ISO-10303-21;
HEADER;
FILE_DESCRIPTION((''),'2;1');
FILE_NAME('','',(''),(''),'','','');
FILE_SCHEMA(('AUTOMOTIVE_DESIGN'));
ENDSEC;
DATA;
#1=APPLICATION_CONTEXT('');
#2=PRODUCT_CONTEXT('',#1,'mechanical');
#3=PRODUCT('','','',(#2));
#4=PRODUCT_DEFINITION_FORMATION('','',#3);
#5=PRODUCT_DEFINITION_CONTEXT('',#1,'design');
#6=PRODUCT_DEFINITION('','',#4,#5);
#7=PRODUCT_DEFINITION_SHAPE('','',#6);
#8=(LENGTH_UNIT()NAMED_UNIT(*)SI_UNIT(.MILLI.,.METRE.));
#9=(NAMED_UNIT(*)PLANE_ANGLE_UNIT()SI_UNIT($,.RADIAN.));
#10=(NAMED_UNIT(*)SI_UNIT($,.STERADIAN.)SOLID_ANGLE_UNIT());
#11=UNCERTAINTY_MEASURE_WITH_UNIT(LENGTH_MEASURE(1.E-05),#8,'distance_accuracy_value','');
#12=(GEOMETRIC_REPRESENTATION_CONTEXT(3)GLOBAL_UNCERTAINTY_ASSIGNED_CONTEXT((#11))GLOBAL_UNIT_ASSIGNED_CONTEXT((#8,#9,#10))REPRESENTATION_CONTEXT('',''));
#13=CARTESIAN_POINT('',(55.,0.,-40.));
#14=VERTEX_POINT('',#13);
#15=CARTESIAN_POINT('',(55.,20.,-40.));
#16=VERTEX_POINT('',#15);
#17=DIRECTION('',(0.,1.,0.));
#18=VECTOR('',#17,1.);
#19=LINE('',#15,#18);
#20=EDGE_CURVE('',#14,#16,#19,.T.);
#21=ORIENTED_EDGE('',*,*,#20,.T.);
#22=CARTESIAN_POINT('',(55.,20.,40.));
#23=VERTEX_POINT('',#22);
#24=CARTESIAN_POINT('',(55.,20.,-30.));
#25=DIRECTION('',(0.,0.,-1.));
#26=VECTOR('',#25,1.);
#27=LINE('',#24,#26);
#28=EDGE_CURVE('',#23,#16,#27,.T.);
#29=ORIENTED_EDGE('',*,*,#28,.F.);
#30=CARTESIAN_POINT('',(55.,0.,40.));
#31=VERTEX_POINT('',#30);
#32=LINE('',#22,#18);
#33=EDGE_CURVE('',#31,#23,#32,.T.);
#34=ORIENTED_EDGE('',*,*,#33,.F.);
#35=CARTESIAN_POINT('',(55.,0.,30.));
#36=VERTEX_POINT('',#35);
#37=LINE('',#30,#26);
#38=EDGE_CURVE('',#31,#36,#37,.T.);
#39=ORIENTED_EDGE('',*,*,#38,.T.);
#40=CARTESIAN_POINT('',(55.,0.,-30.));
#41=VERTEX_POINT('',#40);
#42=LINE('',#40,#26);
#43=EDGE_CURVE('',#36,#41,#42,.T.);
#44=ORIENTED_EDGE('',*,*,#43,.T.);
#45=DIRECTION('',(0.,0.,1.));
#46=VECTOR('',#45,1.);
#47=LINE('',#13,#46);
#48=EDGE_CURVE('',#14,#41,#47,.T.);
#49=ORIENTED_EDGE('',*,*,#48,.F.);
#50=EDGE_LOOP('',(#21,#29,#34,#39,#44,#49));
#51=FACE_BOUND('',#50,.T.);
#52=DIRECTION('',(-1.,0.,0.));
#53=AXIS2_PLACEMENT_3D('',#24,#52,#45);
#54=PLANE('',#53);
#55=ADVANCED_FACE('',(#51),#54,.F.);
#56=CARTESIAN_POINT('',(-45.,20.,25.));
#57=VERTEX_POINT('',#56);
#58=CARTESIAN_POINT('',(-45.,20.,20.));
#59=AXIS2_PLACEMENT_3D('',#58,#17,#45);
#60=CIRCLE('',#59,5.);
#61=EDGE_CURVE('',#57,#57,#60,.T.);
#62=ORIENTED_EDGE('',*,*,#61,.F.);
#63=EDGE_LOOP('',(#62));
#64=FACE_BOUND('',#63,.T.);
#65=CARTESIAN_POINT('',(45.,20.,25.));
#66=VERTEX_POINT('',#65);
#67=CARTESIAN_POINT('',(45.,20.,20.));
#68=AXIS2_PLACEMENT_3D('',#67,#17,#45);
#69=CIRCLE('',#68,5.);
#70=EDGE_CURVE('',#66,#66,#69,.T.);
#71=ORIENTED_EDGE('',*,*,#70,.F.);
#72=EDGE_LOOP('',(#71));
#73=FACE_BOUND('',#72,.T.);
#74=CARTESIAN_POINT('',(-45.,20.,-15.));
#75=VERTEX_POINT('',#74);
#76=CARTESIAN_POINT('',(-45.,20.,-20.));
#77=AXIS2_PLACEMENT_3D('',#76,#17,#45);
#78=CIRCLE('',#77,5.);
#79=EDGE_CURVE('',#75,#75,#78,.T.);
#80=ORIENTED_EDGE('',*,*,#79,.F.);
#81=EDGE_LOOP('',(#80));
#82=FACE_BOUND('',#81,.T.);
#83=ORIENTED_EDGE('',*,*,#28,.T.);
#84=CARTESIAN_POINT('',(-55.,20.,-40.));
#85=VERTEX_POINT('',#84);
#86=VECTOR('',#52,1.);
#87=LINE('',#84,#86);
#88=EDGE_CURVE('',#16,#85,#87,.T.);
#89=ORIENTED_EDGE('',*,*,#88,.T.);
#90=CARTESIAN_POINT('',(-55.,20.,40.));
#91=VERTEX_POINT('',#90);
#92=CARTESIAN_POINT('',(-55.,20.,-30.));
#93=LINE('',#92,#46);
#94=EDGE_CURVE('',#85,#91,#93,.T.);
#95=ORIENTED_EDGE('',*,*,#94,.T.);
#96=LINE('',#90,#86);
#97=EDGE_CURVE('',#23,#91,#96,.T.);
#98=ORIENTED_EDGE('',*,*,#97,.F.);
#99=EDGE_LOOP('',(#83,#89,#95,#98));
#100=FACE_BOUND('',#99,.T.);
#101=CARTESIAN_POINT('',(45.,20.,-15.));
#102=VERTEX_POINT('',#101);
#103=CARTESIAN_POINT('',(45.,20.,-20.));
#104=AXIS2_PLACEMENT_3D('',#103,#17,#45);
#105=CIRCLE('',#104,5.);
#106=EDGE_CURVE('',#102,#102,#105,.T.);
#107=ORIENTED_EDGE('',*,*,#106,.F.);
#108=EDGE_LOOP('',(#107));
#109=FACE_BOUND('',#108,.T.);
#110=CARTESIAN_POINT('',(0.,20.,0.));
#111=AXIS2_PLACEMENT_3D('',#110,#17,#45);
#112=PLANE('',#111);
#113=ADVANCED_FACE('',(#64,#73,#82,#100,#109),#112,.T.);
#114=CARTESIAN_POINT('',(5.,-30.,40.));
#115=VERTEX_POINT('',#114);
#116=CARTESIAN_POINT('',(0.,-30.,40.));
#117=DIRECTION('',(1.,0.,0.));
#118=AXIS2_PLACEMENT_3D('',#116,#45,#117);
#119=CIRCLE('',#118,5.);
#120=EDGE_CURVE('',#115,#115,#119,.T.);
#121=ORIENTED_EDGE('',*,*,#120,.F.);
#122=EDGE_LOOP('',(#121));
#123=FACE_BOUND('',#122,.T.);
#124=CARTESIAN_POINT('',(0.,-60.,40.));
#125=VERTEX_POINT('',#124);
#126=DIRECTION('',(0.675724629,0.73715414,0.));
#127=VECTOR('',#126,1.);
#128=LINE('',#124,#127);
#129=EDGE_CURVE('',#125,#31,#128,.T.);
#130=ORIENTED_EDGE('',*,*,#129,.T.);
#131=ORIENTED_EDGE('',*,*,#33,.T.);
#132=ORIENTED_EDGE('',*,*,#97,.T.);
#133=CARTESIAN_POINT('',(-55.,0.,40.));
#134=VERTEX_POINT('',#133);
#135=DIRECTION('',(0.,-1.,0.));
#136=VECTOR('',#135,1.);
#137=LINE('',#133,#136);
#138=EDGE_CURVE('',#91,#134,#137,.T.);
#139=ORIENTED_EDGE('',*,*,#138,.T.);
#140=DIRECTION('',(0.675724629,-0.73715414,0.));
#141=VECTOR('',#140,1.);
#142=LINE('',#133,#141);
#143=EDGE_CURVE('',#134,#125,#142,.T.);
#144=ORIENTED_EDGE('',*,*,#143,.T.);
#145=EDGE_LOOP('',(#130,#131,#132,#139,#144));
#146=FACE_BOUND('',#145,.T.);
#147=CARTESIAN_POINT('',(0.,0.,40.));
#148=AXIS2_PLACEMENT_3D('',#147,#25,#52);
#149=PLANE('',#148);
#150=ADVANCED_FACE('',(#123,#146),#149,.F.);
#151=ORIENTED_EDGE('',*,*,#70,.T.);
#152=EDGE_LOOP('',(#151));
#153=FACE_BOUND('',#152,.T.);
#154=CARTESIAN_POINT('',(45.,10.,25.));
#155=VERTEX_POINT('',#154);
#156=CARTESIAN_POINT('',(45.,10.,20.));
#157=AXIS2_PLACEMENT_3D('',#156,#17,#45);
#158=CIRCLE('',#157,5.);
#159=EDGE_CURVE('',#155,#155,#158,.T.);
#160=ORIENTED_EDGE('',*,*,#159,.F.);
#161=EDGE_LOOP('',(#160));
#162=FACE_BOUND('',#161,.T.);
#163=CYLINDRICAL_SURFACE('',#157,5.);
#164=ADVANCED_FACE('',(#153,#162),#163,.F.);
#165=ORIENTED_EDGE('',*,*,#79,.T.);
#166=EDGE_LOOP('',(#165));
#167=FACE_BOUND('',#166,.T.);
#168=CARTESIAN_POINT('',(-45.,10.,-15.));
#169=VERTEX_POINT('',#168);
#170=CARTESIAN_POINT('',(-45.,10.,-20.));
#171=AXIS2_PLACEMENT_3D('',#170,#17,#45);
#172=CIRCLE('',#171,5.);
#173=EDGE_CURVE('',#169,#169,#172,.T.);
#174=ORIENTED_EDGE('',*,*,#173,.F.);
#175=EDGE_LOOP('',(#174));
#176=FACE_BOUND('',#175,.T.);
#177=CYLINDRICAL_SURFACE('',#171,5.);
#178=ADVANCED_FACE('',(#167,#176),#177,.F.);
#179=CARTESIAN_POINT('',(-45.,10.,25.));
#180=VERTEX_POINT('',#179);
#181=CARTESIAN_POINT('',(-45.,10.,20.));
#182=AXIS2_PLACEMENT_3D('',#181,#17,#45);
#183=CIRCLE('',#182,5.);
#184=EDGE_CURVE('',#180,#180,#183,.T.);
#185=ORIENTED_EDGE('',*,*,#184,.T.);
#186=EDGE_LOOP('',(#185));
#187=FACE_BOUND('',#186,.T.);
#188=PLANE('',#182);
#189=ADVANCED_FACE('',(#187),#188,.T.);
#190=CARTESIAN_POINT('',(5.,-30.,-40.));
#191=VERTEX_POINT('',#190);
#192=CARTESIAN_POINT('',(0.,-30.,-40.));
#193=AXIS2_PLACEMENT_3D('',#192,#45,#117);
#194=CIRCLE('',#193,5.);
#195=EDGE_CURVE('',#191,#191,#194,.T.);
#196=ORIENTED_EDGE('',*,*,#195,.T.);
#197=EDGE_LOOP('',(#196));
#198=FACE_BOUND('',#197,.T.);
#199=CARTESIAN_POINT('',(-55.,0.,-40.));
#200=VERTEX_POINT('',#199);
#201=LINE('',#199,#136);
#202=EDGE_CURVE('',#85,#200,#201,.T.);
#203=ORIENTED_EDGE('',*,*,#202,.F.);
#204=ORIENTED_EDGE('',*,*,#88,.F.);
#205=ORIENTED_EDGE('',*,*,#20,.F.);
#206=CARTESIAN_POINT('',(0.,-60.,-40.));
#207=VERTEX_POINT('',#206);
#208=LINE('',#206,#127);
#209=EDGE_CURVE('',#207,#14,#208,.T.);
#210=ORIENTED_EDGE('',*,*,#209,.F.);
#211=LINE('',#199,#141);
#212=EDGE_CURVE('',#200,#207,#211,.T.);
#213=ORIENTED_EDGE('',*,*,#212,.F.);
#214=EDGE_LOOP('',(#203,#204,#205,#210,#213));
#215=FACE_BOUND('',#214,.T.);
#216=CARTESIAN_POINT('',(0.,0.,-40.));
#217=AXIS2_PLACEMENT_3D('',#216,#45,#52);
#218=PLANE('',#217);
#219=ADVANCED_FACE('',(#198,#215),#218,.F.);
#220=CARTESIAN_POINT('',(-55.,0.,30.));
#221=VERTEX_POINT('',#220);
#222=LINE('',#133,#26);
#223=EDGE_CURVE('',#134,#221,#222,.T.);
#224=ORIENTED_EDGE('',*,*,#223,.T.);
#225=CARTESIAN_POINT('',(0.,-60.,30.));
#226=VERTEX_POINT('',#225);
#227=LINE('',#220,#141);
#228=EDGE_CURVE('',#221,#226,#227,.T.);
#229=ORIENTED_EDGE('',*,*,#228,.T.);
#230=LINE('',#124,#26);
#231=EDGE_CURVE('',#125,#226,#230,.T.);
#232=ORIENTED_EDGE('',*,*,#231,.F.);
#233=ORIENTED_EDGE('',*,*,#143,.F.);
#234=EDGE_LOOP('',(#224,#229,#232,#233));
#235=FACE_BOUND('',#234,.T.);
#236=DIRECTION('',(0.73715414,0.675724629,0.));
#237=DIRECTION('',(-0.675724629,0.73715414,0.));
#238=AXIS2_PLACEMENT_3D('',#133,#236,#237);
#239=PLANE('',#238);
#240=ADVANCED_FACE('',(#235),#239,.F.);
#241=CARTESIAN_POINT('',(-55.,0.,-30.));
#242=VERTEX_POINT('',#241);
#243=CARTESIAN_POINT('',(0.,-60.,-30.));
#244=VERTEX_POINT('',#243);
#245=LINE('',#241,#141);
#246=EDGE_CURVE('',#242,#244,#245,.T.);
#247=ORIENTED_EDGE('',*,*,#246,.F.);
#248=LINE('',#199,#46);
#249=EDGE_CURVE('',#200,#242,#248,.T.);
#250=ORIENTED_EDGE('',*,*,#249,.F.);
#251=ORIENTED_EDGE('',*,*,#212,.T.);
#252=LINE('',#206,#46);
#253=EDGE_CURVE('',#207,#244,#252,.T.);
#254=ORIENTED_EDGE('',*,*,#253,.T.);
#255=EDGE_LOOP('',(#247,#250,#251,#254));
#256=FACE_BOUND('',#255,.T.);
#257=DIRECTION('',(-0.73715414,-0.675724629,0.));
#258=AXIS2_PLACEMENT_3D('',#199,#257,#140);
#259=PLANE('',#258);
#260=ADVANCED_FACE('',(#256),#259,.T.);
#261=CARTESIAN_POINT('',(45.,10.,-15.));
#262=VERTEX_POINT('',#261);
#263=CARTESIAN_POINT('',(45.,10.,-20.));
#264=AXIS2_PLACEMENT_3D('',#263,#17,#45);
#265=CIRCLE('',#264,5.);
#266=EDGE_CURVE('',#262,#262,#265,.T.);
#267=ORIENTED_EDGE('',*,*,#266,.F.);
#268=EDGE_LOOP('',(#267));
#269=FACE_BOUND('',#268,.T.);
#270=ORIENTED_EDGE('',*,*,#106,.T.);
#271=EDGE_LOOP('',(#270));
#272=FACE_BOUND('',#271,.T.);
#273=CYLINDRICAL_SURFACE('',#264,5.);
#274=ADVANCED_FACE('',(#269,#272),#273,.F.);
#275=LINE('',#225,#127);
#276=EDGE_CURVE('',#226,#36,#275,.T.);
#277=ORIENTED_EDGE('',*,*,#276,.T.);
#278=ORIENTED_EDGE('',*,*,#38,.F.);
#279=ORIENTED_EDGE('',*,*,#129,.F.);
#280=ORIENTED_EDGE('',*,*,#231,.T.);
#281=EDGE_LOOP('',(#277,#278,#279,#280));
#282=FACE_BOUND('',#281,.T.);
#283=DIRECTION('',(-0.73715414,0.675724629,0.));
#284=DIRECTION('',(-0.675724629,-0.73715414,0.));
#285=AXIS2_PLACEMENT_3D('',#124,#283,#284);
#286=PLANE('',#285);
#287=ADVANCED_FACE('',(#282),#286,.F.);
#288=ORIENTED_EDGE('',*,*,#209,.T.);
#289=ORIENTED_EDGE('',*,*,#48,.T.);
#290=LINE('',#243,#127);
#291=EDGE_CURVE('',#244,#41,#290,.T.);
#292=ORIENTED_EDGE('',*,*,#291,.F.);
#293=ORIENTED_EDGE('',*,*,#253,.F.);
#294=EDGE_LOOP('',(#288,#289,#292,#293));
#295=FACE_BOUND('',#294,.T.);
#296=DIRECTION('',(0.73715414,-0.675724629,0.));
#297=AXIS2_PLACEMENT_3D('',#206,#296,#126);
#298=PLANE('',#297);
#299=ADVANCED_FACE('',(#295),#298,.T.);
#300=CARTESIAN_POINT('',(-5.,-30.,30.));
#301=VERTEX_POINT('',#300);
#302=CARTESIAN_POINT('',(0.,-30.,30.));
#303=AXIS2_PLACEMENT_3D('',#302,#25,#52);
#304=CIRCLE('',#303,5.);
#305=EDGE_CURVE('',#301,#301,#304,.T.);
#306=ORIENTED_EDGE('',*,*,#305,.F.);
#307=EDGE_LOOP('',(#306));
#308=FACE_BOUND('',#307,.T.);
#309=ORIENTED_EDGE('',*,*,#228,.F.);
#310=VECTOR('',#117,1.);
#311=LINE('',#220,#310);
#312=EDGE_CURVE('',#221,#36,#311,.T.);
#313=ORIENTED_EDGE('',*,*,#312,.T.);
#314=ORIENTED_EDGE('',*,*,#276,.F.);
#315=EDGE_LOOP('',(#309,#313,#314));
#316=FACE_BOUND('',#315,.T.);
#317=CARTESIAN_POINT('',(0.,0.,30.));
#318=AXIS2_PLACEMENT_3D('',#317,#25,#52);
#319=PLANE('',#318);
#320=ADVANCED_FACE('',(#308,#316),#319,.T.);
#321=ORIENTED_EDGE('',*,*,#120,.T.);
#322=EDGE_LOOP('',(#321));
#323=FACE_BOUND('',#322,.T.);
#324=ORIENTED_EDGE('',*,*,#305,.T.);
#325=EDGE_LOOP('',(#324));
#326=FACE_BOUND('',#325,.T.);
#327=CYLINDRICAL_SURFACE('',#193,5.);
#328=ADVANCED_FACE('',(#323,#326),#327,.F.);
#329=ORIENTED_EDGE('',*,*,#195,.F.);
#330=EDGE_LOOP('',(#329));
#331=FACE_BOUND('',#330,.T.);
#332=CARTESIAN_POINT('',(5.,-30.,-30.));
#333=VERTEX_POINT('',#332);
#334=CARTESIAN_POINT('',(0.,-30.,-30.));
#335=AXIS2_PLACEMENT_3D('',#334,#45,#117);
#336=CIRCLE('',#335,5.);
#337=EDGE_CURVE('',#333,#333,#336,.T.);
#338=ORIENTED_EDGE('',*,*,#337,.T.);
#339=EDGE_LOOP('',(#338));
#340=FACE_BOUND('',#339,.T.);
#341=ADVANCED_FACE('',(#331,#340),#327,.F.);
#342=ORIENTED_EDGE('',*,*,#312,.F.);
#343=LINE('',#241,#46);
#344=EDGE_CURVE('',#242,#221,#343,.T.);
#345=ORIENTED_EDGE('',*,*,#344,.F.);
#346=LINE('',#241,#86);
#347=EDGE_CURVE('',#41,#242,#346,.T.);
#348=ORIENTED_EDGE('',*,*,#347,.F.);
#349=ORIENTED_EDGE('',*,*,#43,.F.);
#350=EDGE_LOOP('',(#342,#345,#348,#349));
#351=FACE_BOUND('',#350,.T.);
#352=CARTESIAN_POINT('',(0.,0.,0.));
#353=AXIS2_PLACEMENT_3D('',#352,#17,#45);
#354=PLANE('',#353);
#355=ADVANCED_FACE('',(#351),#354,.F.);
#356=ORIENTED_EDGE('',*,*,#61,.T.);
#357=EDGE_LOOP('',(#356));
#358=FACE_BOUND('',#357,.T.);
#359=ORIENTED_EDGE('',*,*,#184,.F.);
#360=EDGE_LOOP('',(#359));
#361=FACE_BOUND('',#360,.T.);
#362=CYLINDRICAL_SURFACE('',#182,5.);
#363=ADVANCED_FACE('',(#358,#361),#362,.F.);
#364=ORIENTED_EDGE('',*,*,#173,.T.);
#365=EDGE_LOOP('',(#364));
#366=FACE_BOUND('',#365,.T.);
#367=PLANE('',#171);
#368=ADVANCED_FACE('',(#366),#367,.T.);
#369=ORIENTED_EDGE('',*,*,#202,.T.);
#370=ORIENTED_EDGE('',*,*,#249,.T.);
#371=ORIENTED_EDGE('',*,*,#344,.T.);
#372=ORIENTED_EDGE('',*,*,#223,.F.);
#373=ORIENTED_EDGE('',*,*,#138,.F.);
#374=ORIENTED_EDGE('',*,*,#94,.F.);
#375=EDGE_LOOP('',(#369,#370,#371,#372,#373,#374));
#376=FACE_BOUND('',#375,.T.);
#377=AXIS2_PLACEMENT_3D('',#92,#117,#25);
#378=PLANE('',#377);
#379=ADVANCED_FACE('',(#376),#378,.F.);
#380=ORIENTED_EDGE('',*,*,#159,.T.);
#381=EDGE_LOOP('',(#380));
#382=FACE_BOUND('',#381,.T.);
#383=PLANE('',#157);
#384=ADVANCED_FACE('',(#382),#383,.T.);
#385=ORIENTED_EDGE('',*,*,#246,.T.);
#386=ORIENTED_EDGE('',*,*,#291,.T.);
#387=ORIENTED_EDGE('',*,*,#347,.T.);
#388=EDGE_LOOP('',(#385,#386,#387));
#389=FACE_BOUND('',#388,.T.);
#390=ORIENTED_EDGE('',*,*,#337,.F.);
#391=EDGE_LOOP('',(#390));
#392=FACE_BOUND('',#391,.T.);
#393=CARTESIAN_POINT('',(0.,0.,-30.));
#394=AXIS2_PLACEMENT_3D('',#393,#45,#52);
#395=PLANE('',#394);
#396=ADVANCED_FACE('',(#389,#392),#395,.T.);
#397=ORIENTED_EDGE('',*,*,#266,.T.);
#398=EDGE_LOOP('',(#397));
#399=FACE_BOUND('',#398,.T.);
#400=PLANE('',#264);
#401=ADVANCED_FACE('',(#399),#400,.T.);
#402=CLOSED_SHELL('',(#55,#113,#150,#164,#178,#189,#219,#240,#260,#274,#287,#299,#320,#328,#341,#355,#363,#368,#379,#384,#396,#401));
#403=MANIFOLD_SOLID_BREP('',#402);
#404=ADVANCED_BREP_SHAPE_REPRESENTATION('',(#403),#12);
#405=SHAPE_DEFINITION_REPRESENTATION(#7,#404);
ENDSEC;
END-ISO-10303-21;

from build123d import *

# Parameters (mm, degrees)
SKETCH1_W           = 110
SKETCH1_H           = 60
BOSS_EXTRUDE1_DEPTH = 20
SKETCH3_R           = 5
CUT_EXTRUDE1_DEPTH  = 10
BOSS_EXTRUDE2_DEPTH = 10
SKETCH5_R           = 5
CUT_EXTRUDE2_DEPTH  = 115.127122105


with BuildPart() as part:
    # Sketch1 → Boss-Extrude1 (new body)
    with BuildSketch(Plane(origin=(0, 0, 0), x_dir=(1, 0, 0), z_dir=(0, 1, 0))):
        Rectangle(SKETCH1_W, SKETCH1_H)
    extrude(amount=BOSS_EXTRUDE1_DEPTH)

    # Sketch3 → Cut-Extrude1 (cut)
    with BuildSketch(Plane(origin=(0, 20, 0), x_dir=(1, 0, 0), z_dir=(0, 1, 0))):
        with Locations(Location((-45, 20, 0), (0, 0, 270))):
            Circle(SKETCH3_R)
        with Locations(Location((45, 20, 0), (0, 0, 270))):
            Circle(SKETCH3_R)
        with Locations(Location((45, -20, 0), (0, 0, 270))):
            Circle(SKETCH3_R)
        with Locations(Location((-45, -20, 0), (0, 0, 270))):
            Circle(SKETCH3_R)
    extrude(amount=-CUT_EXTRUDE1_DEPTH, mode=Mode.SUBTRACT)

    # Sketch4 → Boss-Extrude2 (add)
    with BuildSketch(Plane.XY.offset(30)):
        Polygon((-55, 0), (0, -60), (55, 0), (55, 20), (-55, 20), align=None)
    boss_extrude2 = extrude(amount=BOSS_EXTRUDE2_DEPTH)

    # Mirror1: Boss-Extrude2 across plane
    add(boss_extrude2.mirror(Plane.XY))

    # Sketch5 → Cut-Extrude2 (cut, through all)
    with BuildSketch(Plane.XY.offset(40)):
        with Locations((0, -30)):
            Circle(SKETCH5_R)
    extrude(amount=-CUT_EXTRUDE2_DEPTH, mode=Mode.SUBTRACT)


solid = part.part
